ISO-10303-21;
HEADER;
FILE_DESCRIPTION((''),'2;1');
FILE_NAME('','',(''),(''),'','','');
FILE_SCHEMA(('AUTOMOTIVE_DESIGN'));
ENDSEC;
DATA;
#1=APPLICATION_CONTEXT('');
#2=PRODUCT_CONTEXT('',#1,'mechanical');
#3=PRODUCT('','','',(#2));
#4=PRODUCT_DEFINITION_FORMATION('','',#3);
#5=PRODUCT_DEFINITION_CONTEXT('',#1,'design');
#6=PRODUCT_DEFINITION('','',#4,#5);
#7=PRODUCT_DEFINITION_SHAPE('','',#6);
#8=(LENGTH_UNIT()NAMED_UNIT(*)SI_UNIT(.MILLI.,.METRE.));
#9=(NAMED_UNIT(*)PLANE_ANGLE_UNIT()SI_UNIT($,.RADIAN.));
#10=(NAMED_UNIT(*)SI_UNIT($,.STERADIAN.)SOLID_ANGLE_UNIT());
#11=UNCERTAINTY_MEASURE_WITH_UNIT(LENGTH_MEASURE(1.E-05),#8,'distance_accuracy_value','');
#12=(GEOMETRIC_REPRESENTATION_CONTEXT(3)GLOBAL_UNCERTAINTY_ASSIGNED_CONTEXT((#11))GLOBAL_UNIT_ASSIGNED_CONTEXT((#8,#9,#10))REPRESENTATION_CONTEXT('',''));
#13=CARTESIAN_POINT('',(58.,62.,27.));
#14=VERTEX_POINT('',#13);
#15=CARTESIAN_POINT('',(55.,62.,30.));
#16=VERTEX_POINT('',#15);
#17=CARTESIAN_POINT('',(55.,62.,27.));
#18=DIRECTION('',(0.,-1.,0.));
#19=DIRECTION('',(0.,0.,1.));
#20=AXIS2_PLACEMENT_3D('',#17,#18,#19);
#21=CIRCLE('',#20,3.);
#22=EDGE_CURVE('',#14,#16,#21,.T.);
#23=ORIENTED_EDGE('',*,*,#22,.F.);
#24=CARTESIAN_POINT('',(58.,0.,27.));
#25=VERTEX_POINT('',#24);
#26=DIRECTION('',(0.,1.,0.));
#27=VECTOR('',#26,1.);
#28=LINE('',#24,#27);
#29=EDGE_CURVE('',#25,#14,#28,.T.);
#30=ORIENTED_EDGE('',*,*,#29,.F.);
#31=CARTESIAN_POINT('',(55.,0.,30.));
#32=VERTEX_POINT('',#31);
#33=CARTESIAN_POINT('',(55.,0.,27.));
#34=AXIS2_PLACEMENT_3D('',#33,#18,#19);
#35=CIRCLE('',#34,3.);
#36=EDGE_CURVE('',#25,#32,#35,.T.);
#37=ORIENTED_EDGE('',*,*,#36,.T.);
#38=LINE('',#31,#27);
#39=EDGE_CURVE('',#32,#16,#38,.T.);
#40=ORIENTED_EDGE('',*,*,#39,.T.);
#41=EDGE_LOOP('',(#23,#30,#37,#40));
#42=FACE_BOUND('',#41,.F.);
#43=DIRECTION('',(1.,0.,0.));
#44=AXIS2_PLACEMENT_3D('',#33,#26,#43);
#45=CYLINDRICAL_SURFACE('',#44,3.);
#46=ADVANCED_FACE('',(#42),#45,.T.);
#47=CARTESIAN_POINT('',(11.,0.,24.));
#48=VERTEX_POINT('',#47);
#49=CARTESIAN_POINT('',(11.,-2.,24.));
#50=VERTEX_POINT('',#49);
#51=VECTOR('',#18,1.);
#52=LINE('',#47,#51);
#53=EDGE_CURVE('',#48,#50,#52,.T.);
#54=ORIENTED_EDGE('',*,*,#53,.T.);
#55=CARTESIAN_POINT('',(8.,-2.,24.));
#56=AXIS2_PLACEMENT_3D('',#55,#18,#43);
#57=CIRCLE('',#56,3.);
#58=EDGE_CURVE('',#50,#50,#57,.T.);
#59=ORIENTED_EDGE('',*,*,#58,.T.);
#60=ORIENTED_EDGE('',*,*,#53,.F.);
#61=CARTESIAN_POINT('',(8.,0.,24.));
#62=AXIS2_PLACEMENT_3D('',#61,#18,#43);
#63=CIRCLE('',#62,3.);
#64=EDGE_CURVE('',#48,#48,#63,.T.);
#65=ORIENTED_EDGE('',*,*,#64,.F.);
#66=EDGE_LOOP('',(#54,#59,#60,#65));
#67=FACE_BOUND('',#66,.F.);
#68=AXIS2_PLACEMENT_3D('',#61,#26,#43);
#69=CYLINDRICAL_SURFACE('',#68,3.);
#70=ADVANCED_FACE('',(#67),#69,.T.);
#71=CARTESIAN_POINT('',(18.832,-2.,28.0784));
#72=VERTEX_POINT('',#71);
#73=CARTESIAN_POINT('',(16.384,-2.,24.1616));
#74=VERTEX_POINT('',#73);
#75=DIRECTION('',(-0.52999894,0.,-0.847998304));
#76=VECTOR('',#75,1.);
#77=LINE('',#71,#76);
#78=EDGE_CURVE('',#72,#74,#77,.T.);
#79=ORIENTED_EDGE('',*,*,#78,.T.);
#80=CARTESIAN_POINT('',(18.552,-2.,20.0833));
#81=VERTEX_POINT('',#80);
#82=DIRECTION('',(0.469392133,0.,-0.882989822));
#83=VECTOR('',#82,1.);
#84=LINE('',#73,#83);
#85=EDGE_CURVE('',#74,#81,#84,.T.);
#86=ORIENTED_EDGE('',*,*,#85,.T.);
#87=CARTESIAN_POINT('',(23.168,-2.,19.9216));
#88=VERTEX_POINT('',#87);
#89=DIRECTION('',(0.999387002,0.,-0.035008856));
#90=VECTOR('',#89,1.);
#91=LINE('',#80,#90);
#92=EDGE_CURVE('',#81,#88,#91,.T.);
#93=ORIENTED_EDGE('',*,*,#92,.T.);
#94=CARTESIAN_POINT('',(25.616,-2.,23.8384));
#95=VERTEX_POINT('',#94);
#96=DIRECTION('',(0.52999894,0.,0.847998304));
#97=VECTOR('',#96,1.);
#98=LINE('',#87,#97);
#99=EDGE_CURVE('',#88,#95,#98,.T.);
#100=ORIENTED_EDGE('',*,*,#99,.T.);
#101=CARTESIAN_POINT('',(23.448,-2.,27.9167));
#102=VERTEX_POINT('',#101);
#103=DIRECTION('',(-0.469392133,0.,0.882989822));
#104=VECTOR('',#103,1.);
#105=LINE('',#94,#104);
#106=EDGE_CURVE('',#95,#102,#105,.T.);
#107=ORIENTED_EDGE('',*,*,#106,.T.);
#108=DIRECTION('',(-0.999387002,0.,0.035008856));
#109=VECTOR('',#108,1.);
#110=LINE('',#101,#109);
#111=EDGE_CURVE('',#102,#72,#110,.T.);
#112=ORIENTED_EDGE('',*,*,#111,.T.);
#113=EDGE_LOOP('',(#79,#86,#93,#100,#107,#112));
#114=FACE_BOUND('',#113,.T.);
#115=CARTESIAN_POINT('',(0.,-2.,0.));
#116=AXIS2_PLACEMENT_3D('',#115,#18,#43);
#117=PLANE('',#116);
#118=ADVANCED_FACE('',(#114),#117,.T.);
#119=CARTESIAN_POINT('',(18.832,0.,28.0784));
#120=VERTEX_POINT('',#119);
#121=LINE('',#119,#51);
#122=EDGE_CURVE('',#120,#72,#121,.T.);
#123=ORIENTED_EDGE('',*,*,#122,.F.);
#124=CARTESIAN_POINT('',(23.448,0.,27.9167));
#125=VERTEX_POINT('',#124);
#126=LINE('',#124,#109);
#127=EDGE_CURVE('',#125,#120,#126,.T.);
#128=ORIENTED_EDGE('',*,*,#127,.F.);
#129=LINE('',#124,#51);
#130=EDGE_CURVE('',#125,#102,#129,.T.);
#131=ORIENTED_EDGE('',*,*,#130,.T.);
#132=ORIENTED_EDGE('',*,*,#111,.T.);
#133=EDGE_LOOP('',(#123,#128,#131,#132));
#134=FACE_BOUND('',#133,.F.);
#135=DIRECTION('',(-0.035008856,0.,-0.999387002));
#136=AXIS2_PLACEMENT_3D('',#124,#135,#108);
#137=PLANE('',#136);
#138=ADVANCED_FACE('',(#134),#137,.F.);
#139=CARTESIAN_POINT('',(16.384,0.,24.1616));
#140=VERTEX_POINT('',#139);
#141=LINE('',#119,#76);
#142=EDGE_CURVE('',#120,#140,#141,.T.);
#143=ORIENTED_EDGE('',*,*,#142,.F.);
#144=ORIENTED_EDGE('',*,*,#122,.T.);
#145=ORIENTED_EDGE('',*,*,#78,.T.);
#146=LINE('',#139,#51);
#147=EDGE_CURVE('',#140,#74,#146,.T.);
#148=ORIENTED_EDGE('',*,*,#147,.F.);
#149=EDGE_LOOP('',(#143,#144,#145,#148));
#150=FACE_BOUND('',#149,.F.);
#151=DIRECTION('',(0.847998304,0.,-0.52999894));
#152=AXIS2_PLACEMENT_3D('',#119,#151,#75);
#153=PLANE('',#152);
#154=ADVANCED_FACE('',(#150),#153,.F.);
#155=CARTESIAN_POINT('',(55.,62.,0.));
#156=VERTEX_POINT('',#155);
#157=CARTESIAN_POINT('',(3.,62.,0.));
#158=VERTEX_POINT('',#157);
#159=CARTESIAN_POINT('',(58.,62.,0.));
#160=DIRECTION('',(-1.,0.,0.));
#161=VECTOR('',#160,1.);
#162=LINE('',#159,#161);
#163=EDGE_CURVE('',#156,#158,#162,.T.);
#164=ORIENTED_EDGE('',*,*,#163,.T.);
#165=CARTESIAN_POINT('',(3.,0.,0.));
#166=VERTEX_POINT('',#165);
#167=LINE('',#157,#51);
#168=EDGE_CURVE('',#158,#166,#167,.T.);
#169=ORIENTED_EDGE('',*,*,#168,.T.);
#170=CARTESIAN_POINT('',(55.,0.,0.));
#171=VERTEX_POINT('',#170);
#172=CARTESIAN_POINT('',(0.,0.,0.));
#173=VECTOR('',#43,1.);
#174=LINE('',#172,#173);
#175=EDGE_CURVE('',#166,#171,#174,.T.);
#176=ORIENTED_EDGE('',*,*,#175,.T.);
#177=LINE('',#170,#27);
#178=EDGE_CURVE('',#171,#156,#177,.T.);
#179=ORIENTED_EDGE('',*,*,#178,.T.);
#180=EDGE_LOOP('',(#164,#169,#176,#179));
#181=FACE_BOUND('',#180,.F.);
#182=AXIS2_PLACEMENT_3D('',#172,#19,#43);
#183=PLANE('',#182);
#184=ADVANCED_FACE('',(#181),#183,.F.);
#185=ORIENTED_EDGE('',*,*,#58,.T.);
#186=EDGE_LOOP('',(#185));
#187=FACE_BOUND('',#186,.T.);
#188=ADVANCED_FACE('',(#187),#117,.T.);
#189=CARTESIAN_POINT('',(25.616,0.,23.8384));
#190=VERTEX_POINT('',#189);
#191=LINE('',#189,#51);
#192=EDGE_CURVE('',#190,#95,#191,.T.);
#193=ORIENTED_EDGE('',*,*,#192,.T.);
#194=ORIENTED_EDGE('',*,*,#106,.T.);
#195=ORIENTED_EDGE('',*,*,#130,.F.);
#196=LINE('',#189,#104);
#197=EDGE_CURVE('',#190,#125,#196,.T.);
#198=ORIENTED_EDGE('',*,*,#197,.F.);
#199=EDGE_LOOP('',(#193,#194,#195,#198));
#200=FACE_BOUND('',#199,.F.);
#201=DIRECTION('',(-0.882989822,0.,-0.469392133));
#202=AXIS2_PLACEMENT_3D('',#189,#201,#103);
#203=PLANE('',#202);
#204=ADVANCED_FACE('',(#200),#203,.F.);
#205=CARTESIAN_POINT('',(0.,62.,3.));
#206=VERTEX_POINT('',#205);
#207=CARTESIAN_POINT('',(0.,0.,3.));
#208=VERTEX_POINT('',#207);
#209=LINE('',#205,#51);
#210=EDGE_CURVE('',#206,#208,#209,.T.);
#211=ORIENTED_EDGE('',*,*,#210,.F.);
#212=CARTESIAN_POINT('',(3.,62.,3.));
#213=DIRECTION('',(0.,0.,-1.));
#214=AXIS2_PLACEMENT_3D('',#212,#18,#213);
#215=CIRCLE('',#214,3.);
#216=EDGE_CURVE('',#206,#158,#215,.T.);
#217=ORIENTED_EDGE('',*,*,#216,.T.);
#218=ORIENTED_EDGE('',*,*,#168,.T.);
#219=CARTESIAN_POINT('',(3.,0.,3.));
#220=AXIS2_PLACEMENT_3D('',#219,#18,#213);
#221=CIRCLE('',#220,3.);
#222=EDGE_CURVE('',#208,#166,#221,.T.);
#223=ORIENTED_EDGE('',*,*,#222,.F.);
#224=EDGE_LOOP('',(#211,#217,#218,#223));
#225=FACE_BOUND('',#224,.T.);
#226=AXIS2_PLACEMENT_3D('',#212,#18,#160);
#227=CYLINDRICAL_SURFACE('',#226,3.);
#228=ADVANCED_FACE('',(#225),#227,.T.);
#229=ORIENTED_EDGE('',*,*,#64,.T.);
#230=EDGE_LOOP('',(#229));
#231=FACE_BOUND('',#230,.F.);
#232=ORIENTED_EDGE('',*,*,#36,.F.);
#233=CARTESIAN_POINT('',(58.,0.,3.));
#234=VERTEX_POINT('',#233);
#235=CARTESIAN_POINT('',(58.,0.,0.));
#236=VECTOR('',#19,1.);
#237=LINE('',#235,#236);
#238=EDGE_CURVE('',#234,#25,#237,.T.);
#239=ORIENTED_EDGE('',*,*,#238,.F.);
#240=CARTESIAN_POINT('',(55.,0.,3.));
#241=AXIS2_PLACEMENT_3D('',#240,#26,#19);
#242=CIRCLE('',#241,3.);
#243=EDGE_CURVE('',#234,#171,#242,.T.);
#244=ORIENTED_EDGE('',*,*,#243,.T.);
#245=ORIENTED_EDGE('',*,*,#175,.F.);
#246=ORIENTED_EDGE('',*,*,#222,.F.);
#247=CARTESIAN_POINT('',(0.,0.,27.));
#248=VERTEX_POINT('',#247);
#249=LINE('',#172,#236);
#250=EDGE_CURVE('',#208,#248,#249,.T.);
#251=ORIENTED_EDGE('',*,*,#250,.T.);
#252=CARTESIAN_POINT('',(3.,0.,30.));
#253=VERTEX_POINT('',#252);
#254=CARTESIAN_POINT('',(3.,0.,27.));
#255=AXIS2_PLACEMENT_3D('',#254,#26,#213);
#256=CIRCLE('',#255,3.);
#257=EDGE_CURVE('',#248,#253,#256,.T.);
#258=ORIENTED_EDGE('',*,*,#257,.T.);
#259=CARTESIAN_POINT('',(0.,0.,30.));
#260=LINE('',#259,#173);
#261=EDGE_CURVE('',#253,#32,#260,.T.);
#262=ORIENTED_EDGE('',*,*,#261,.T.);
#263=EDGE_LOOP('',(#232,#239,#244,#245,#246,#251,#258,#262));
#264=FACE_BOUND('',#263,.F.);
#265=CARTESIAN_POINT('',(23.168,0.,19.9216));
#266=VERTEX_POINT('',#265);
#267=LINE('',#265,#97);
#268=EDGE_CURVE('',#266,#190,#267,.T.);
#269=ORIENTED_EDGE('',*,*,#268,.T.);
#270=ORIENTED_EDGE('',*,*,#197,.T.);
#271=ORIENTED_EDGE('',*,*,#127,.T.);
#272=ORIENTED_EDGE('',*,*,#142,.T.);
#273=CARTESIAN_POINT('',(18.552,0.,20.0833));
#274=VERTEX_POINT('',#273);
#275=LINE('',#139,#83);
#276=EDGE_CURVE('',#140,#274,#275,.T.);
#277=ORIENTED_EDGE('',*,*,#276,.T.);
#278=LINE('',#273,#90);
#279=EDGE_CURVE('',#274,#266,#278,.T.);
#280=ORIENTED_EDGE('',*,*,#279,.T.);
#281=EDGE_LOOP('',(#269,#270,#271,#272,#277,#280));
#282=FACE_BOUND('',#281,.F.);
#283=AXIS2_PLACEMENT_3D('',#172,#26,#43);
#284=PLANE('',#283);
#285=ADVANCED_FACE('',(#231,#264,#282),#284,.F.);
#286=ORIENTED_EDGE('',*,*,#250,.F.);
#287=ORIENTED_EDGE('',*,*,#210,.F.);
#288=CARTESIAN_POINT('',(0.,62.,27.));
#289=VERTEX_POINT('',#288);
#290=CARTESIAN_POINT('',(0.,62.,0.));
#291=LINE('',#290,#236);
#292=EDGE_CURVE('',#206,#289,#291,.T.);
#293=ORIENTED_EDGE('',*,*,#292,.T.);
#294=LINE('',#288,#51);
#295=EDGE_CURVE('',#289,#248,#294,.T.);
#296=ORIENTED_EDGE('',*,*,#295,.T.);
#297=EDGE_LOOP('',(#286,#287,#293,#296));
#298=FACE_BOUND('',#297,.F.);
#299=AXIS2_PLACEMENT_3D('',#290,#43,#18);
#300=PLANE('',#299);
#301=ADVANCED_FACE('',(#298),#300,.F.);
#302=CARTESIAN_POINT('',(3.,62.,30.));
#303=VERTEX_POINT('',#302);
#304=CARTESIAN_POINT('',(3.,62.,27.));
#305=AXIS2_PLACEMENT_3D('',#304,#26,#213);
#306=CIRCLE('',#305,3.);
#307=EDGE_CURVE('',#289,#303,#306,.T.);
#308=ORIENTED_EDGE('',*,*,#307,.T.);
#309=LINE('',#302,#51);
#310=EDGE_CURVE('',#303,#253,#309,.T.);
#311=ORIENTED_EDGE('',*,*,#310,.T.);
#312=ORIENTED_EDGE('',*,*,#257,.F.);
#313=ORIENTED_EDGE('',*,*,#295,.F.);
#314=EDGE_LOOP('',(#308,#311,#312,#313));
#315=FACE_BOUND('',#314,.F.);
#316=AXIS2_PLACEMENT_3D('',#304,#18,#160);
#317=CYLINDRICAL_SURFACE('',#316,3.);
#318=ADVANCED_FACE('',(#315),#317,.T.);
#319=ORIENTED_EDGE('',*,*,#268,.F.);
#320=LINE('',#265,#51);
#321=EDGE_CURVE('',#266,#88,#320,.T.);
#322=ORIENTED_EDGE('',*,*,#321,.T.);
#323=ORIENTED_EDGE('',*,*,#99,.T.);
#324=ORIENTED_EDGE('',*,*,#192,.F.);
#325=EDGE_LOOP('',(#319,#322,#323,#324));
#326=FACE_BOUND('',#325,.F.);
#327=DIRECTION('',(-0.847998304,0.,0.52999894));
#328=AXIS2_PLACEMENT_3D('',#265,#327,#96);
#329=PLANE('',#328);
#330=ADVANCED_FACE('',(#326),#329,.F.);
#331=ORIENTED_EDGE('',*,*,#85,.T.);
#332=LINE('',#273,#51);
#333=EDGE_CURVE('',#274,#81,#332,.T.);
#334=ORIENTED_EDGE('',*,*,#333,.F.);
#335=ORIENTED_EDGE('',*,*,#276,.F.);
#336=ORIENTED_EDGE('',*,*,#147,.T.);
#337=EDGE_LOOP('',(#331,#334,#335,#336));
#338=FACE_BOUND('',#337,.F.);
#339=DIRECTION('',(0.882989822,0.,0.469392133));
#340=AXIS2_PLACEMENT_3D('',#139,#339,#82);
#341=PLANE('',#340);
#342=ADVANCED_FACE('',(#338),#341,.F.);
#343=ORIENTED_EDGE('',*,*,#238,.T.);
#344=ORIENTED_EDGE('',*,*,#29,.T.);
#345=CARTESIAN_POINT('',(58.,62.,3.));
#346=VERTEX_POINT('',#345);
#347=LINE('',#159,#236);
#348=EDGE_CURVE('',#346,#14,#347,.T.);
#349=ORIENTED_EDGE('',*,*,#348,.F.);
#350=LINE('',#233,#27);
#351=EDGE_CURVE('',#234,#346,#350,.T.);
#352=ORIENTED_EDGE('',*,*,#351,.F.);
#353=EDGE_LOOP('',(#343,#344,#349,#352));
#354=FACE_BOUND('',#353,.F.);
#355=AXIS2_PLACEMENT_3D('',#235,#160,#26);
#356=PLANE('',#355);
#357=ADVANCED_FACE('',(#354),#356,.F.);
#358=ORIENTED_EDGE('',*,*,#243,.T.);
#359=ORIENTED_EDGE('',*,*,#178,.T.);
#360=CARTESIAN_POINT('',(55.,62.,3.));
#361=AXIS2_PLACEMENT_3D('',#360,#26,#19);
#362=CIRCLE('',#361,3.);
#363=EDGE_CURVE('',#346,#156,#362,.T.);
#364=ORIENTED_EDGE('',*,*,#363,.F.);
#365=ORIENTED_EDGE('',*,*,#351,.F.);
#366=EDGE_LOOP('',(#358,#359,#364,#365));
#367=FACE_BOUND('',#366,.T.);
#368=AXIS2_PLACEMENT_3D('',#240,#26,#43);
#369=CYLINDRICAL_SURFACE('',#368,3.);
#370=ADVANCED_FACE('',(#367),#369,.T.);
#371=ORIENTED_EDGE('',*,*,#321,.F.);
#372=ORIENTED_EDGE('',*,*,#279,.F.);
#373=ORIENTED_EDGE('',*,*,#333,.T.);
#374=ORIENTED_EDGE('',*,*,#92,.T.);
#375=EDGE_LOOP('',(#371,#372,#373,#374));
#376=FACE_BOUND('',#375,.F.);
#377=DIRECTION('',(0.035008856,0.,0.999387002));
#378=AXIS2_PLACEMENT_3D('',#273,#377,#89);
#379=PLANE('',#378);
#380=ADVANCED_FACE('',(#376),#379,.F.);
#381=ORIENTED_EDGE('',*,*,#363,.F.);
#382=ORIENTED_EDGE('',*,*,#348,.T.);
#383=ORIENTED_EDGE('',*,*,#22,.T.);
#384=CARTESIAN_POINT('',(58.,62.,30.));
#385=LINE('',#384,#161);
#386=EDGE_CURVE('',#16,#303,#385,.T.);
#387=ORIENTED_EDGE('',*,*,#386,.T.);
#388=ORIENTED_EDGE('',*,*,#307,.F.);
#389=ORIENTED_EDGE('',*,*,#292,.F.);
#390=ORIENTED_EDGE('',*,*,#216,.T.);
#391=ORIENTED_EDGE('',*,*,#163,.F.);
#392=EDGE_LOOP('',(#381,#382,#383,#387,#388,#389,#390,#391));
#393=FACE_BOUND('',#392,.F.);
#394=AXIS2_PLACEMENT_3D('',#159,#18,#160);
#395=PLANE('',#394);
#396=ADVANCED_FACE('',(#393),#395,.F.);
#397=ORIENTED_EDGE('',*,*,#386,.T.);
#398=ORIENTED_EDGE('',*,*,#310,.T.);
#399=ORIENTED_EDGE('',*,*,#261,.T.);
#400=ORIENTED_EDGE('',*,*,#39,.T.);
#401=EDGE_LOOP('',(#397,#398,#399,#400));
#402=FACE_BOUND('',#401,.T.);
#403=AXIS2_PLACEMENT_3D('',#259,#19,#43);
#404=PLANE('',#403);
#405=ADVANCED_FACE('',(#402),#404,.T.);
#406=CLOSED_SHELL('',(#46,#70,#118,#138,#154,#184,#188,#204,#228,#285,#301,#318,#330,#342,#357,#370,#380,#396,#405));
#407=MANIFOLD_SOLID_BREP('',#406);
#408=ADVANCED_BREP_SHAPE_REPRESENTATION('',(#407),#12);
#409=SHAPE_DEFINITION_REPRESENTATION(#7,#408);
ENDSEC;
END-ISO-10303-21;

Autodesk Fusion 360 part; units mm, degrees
sketch "Esquisse1" plane through (0, 0, 0) normal (0, 0, 1) x (1, 0, 0)
  line L0 (0, 0) -> (58, 0)
  line L1 (58, 0) -> (58, 62)
  line L2 (58, 62) -> (0, 62)
  line L3 (0, 62) -> (0, 0)
  dimension "d1" = 58
  dimension "d2" = 62
extrude "Extrusion1" add sketch "Esquisse1" along normal blind 30
fillet "Congé1" radius 3 4 edges at (58, 31, 30) (58, 31, 0) (0, 31, 30) (0, 31, 0)
sketch "Esquisse2" plane through (0, 0, 0) normal (0, -1, 0) x (1, 0, 0)
  arc A0 (0, 3) -> (3, 0) centre (3, 3) ccw
  line L0 (3, 0) -> (55, 0)
  arc A1 (55, 0) -> (58, 3) centre (55, 3) ccw
  line L1 (58, 3) -> (58, 27)
  arc A2 (58, 27) -> (55, 30) centre (55, 27) ccw
  line L2 (55, 30) -> (3, 30)
  arc A3 (3, 30) -> (0, 27) centre (3, 27) ccw
  line L3 (0, 27) -> (0, 3)
  circle A4 centre (8, 24) radius 3
  dimension "d7" = 6
  dimension "d8" = 6
  dimension "d9" = 8
sketch "Esquisse3" plane through (0, 0, 0) normal (0, -1, 0) x (1, 0, 0)
  line L0 (18.832, 28.0784) -> (16.384, 24.1616)
  line L1 (16.384, 24.1616) -> (18.552, 20.0833)
  line L2 (18.552, 20.0833) -> (23.168, 19.9216)
  line L3 (23.168, 19.9216) -> (25.616, 23.8384)
  line L4 (25.616, 23.8384) -> (23.448, 27.9167)
  line L5 (23.448, 27.9167) -> (18.832, 28.0784)
  line L6 (55, 30) -> (3, 30)
  line L7 (0, 27) -> (0, 3)
  point P0 (21, 24)
  dimension "d10" = 8
  dimension "d11" = 6
  dimension "d12" = 21
extrude "Extrusion2" add sketch "Esquisse2" sketch "Esquisse3" along normal blind 2 contours A4 of sketch 2
